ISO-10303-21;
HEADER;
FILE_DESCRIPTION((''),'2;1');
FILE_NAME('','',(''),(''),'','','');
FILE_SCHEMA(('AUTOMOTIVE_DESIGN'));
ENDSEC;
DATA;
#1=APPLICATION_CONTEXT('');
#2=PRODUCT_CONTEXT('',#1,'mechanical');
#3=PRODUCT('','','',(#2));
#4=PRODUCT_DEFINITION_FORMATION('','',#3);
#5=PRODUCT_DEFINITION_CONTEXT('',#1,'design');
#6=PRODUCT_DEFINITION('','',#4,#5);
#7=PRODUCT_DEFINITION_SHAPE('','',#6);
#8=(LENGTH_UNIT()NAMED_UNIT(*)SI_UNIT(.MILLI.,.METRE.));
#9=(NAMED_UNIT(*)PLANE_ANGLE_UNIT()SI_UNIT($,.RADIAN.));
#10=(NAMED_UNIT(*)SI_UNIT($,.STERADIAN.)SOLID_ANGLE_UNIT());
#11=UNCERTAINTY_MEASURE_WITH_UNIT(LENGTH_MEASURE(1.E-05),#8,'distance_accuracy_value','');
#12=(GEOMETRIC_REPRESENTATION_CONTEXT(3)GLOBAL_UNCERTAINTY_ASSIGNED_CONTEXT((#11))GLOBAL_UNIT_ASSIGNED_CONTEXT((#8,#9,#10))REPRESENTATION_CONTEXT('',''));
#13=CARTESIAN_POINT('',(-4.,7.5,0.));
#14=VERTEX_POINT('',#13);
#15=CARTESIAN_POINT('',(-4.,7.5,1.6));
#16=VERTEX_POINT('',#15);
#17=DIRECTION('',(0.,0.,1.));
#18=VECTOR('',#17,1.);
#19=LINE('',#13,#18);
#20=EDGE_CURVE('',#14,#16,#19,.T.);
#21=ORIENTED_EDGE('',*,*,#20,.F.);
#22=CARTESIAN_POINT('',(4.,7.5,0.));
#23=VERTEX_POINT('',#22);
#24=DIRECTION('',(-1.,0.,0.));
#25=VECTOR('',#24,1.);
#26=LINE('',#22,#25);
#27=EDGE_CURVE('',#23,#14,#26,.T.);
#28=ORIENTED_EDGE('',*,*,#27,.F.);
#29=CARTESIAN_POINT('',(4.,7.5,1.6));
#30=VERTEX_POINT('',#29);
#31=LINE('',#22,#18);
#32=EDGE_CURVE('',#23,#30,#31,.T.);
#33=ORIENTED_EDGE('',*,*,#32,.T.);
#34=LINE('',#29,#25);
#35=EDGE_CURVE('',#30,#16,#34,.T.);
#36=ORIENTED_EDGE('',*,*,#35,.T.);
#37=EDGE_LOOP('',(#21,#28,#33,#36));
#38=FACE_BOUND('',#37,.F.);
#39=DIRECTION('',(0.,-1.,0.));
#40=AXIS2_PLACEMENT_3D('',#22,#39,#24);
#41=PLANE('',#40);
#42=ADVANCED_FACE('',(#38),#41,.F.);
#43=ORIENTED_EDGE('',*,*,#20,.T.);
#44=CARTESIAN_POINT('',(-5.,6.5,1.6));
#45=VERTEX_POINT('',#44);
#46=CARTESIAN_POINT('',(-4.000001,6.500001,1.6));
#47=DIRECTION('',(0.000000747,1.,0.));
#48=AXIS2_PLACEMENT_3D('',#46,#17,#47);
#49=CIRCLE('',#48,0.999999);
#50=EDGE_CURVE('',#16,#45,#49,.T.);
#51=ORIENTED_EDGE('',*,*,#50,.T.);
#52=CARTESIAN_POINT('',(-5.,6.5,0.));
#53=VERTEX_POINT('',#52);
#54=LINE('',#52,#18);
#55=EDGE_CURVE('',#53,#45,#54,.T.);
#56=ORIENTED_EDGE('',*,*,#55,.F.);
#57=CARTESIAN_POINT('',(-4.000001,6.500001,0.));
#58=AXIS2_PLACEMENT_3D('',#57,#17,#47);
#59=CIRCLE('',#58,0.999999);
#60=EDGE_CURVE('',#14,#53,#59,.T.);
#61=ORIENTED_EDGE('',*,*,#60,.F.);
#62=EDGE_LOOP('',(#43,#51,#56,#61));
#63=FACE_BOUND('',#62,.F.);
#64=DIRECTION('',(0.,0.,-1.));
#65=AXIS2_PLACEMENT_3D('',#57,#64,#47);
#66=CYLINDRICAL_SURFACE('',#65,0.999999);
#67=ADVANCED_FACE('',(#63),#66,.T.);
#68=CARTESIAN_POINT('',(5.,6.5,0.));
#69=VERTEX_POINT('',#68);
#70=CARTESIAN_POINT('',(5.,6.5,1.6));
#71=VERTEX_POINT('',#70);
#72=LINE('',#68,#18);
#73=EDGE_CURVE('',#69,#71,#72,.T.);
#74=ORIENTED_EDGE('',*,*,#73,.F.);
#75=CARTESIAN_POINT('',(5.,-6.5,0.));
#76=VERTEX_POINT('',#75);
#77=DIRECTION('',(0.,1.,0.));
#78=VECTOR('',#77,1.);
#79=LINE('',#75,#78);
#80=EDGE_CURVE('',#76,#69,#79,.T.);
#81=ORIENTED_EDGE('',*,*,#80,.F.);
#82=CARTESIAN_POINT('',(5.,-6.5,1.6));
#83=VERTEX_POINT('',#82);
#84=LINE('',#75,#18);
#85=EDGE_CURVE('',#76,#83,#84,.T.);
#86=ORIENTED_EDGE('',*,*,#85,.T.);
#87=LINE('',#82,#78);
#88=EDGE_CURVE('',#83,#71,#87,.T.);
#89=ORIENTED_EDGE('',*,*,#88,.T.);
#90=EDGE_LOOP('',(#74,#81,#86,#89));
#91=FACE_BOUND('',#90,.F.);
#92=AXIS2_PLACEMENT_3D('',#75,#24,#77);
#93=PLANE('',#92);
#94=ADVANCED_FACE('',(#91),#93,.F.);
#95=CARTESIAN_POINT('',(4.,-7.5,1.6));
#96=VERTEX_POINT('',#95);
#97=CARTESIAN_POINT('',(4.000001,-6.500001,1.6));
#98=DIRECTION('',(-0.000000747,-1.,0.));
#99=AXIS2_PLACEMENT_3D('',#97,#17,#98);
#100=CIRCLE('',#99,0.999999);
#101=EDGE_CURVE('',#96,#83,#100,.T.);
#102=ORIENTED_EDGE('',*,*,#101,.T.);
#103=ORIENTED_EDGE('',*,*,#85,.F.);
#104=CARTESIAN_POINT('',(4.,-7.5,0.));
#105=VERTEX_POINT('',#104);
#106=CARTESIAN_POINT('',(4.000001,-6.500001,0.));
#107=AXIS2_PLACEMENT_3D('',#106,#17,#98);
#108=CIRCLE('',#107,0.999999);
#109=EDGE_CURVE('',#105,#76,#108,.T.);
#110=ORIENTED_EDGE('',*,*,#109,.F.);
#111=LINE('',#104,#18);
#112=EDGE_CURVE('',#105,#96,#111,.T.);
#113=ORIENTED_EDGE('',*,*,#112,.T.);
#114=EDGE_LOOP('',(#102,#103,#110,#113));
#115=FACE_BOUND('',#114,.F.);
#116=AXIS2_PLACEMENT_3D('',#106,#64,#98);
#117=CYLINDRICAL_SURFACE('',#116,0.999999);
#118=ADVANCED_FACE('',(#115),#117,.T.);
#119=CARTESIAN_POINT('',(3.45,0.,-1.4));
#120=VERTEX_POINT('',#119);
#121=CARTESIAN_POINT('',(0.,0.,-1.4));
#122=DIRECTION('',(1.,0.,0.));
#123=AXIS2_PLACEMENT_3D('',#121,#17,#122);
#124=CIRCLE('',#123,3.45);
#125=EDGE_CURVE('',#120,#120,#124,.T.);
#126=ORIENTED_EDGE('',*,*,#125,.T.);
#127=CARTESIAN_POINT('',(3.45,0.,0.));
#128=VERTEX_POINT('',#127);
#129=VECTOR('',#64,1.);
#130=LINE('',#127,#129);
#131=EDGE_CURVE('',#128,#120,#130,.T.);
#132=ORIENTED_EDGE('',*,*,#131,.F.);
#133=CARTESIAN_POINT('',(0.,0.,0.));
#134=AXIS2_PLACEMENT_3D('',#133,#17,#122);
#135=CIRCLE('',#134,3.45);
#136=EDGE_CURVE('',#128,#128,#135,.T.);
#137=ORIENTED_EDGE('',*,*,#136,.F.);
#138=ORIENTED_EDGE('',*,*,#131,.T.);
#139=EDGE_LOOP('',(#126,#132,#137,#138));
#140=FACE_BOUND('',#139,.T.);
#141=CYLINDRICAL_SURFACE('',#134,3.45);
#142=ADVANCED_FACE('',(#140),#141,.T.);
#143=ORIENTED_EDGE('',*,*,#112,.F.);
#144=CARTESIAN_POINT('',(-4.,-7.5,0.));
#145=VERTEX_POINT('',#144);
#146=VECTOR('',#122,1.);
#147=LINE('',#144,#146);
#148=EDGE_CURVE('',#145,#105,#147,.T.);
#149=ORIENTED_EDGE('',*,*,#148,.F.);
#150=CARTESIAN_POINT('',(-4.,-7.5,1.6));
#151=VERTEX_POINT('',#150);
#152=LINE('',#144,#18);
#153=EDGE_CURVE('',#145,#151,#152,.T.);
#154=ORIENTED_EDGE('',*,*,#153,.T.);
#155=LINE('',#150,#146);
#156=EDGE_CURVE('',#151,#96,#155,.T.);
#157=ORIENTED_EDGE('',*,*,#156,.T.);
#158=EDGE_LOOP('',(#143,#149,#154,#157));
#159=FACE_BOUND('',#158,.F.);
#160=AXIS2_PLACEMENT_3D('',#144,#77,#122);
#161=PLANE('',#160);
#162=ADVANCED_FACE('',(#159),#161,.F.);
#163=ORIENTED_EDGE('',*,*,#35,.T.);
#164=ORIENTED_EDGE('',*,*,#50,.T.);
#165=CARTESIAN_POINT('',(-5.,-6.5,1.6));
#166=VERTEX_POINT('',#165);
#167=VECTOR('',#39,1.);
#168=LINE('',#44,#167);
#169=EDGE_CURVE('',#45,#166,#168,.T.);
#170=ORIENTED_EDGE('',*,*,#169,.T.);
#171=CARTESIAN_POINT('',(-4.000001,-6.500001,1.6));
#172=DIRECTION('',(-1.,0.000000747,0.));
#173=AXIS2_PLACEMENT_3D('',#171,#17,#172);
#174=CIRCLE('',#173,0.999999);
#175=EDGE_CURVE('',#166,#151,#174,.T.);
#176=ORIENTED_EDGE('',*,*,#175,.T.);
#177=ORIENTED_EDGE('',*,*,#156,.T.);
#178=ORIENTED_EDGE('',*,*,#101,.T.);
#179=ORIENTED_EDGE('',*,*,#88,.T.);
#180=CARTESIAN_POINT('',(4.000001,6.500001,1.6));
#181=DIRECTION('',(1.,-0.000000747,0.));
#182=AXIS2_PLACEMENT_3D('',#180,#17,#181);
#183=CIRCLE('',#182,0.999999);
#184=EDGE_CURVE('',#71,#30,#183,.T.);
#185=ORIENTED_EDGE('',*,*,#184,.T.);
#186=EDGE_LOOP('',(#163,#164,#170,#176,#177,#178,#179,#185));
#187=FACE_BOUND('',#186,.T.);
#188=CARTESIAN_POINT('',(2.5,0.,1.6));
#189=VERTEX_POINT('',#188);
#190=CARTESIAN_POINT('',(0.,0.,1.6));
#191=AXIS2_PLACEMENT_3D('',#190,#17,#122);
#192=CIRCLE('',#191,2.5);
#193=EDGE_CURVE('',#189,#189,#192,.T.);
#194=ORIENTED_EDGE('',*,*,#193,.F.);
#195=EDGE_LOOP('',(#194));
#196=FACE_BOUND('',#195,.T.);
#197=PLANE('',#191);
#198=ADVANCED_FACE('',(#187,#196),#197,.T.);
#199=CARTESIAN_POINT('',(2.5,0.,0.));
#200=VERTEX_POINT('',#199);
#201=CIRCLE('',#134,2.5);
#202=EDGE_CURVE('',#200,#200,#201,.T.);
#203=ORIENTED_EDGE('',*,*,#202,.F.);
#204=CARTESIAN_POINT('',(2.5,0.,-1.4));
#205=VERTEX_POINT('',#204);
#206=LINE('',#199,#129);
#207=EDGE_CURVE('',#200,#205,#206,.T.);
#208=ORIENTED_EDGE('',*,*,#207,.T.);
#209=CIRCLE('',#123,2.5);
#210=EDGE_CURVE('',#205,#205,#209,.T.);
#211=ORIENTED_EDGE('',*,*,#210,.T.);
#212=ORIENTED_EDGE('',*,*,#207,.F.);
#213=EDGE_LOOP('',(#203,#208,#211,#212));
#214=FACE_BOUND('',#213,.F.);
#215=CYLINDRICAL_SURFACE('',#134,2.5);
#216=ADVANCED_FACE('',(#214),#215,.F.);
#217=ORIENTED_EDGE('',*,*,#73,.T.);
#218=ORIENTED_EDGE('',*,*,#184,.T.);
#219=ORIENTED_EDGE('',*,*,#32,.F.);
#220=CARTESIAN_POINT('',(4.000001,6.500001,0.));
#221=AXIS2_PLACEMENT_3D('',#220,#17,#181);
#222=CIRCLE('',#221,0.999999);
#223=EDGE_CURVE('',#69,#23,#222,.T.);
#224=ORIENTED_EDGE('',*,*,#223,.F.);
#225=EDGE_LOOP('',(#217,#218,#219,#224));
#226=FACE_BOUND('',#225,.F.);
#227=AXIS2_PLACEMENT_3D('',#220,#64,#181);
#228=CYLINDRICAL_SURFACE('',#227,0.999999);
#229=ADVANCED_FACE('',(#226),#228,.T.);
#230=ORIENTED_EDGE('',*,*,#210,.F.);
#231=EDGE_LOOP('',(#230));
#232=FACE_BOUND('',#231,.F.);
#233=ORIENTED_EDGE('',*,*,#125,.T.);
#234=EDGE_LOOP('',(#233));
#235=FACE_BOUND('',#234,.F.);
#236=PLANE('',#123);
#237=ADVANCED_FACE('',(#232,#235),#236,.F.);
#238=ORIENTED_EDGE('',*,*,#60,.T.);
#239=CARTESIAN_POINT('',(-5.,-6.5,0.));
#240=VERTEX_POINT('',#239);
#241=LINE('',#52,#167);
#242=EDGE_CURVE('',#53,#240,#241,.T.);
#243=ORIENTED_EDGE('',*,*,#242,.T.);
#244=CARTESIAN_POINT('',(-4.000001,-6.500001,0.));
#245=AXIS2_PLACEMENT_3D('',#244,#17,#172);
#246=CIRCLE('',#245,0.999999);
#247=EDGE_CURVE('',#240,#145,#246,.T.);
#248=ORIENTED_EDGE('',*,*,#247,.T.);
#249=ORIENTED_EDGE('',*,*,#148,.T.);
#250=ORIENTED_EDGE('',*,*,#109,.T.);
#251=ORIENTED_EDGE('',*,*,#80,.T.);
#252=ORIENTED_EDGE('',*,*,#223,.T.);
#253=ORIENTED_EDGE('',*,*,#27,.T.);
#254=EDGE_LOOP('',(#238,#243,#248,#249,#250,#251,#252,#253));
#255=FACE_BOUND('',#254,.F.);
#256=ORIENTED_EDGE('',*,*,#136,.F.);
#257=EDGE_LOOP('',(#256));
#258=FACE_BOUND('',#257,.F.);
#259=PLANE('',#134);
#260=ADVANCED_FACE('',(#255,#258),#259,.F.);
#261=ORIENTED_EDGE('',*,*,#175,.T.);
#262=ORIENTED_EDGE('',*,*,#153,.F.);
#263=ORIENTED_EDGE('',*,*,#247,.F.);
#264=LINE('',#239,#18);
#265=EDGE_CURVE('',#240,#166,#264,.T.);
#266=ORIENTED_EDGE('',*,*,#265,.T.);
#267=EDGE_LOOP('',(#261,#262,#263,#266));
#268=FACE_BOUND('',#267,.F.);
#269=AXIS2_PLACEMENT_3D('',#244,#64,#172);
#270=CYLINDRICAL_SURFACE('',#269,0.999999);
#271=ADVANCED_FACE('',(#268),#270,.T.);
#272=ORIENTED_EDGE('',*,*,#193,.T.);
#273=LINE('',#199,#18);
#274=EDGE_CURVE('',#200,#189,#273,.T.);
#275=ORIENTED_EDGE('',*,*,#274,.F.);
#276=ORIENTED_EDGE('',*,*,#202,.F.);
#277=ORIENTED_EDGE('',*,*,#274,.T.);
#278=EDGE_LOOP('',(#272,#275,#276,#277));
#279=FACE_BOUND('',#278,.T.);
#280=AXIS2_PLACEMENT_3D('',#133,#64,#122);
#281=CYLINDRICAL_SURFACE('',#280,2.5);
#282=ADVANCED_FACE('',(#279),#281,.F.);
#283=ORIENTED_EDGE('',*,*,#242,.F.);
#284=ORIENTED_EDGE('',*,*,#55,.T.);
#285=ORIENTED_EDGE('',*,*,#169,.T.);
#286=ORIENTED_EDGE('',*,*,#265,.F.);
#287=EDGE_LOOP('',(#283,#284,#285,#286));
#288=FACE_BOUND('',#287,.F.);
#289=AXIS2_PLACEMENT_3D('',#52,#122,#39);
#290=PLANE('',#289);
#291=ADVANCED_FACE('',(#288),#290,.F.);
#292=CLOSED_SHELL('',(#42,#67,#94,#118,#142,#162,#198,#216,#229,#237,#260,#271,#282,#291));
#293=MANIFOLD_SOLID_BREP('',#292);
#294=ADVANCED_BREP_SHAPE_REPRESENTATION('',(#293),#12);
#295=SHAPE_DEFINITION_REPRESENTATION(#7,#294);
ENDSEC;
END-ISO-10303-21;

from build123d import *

# Parameters (mm, degrees)
F0_R     = 2.5
F1_DEPTH = 1.6
F2_R     = 3.45
F2_R_2   = 2.5
F3_DEPTH = 1.4


with BuildPart() as f1:
    # F0 (on Top) → F1 (new body)
    with BuildSketch(Plane.XY):
        with BuildLine():
            Line((-4, -7.5), (4, -7.5))
            ThreePointArc((4, -7.5), (4.707107, -7.207107), (5, -6.5))
            Line((5, -6.5), (5, 6.5))
            ThreePointArc((5, 6.5), (4.707107, 7.207107), (4, 7.5))
            Line((4, 7.5), (-4, 7.5))
            ThreePointArc((-4, 7.5), (-4.707107, 7.207107), (-5, 6.5))
            Line((-5, 6.5), (-5, -6.5))
            ThreePointArc((-5, -6.5), (-4.707107, -7.207107), (-4, -7.5))
        make_face()
        Circle(F0_R, mode=Mode.SUBTRACT)
    extrude(amount=F1_DEPTH)

    # F2 (on Top) → F3 (join)
    with BuildSketch(Plane.XY):
        Circle(F2_R)
        Circle(F2_R_2, mode=Mode.SUBTRACT)
    extrude(amount=-F3_DEPTH)


solid = f1.part
